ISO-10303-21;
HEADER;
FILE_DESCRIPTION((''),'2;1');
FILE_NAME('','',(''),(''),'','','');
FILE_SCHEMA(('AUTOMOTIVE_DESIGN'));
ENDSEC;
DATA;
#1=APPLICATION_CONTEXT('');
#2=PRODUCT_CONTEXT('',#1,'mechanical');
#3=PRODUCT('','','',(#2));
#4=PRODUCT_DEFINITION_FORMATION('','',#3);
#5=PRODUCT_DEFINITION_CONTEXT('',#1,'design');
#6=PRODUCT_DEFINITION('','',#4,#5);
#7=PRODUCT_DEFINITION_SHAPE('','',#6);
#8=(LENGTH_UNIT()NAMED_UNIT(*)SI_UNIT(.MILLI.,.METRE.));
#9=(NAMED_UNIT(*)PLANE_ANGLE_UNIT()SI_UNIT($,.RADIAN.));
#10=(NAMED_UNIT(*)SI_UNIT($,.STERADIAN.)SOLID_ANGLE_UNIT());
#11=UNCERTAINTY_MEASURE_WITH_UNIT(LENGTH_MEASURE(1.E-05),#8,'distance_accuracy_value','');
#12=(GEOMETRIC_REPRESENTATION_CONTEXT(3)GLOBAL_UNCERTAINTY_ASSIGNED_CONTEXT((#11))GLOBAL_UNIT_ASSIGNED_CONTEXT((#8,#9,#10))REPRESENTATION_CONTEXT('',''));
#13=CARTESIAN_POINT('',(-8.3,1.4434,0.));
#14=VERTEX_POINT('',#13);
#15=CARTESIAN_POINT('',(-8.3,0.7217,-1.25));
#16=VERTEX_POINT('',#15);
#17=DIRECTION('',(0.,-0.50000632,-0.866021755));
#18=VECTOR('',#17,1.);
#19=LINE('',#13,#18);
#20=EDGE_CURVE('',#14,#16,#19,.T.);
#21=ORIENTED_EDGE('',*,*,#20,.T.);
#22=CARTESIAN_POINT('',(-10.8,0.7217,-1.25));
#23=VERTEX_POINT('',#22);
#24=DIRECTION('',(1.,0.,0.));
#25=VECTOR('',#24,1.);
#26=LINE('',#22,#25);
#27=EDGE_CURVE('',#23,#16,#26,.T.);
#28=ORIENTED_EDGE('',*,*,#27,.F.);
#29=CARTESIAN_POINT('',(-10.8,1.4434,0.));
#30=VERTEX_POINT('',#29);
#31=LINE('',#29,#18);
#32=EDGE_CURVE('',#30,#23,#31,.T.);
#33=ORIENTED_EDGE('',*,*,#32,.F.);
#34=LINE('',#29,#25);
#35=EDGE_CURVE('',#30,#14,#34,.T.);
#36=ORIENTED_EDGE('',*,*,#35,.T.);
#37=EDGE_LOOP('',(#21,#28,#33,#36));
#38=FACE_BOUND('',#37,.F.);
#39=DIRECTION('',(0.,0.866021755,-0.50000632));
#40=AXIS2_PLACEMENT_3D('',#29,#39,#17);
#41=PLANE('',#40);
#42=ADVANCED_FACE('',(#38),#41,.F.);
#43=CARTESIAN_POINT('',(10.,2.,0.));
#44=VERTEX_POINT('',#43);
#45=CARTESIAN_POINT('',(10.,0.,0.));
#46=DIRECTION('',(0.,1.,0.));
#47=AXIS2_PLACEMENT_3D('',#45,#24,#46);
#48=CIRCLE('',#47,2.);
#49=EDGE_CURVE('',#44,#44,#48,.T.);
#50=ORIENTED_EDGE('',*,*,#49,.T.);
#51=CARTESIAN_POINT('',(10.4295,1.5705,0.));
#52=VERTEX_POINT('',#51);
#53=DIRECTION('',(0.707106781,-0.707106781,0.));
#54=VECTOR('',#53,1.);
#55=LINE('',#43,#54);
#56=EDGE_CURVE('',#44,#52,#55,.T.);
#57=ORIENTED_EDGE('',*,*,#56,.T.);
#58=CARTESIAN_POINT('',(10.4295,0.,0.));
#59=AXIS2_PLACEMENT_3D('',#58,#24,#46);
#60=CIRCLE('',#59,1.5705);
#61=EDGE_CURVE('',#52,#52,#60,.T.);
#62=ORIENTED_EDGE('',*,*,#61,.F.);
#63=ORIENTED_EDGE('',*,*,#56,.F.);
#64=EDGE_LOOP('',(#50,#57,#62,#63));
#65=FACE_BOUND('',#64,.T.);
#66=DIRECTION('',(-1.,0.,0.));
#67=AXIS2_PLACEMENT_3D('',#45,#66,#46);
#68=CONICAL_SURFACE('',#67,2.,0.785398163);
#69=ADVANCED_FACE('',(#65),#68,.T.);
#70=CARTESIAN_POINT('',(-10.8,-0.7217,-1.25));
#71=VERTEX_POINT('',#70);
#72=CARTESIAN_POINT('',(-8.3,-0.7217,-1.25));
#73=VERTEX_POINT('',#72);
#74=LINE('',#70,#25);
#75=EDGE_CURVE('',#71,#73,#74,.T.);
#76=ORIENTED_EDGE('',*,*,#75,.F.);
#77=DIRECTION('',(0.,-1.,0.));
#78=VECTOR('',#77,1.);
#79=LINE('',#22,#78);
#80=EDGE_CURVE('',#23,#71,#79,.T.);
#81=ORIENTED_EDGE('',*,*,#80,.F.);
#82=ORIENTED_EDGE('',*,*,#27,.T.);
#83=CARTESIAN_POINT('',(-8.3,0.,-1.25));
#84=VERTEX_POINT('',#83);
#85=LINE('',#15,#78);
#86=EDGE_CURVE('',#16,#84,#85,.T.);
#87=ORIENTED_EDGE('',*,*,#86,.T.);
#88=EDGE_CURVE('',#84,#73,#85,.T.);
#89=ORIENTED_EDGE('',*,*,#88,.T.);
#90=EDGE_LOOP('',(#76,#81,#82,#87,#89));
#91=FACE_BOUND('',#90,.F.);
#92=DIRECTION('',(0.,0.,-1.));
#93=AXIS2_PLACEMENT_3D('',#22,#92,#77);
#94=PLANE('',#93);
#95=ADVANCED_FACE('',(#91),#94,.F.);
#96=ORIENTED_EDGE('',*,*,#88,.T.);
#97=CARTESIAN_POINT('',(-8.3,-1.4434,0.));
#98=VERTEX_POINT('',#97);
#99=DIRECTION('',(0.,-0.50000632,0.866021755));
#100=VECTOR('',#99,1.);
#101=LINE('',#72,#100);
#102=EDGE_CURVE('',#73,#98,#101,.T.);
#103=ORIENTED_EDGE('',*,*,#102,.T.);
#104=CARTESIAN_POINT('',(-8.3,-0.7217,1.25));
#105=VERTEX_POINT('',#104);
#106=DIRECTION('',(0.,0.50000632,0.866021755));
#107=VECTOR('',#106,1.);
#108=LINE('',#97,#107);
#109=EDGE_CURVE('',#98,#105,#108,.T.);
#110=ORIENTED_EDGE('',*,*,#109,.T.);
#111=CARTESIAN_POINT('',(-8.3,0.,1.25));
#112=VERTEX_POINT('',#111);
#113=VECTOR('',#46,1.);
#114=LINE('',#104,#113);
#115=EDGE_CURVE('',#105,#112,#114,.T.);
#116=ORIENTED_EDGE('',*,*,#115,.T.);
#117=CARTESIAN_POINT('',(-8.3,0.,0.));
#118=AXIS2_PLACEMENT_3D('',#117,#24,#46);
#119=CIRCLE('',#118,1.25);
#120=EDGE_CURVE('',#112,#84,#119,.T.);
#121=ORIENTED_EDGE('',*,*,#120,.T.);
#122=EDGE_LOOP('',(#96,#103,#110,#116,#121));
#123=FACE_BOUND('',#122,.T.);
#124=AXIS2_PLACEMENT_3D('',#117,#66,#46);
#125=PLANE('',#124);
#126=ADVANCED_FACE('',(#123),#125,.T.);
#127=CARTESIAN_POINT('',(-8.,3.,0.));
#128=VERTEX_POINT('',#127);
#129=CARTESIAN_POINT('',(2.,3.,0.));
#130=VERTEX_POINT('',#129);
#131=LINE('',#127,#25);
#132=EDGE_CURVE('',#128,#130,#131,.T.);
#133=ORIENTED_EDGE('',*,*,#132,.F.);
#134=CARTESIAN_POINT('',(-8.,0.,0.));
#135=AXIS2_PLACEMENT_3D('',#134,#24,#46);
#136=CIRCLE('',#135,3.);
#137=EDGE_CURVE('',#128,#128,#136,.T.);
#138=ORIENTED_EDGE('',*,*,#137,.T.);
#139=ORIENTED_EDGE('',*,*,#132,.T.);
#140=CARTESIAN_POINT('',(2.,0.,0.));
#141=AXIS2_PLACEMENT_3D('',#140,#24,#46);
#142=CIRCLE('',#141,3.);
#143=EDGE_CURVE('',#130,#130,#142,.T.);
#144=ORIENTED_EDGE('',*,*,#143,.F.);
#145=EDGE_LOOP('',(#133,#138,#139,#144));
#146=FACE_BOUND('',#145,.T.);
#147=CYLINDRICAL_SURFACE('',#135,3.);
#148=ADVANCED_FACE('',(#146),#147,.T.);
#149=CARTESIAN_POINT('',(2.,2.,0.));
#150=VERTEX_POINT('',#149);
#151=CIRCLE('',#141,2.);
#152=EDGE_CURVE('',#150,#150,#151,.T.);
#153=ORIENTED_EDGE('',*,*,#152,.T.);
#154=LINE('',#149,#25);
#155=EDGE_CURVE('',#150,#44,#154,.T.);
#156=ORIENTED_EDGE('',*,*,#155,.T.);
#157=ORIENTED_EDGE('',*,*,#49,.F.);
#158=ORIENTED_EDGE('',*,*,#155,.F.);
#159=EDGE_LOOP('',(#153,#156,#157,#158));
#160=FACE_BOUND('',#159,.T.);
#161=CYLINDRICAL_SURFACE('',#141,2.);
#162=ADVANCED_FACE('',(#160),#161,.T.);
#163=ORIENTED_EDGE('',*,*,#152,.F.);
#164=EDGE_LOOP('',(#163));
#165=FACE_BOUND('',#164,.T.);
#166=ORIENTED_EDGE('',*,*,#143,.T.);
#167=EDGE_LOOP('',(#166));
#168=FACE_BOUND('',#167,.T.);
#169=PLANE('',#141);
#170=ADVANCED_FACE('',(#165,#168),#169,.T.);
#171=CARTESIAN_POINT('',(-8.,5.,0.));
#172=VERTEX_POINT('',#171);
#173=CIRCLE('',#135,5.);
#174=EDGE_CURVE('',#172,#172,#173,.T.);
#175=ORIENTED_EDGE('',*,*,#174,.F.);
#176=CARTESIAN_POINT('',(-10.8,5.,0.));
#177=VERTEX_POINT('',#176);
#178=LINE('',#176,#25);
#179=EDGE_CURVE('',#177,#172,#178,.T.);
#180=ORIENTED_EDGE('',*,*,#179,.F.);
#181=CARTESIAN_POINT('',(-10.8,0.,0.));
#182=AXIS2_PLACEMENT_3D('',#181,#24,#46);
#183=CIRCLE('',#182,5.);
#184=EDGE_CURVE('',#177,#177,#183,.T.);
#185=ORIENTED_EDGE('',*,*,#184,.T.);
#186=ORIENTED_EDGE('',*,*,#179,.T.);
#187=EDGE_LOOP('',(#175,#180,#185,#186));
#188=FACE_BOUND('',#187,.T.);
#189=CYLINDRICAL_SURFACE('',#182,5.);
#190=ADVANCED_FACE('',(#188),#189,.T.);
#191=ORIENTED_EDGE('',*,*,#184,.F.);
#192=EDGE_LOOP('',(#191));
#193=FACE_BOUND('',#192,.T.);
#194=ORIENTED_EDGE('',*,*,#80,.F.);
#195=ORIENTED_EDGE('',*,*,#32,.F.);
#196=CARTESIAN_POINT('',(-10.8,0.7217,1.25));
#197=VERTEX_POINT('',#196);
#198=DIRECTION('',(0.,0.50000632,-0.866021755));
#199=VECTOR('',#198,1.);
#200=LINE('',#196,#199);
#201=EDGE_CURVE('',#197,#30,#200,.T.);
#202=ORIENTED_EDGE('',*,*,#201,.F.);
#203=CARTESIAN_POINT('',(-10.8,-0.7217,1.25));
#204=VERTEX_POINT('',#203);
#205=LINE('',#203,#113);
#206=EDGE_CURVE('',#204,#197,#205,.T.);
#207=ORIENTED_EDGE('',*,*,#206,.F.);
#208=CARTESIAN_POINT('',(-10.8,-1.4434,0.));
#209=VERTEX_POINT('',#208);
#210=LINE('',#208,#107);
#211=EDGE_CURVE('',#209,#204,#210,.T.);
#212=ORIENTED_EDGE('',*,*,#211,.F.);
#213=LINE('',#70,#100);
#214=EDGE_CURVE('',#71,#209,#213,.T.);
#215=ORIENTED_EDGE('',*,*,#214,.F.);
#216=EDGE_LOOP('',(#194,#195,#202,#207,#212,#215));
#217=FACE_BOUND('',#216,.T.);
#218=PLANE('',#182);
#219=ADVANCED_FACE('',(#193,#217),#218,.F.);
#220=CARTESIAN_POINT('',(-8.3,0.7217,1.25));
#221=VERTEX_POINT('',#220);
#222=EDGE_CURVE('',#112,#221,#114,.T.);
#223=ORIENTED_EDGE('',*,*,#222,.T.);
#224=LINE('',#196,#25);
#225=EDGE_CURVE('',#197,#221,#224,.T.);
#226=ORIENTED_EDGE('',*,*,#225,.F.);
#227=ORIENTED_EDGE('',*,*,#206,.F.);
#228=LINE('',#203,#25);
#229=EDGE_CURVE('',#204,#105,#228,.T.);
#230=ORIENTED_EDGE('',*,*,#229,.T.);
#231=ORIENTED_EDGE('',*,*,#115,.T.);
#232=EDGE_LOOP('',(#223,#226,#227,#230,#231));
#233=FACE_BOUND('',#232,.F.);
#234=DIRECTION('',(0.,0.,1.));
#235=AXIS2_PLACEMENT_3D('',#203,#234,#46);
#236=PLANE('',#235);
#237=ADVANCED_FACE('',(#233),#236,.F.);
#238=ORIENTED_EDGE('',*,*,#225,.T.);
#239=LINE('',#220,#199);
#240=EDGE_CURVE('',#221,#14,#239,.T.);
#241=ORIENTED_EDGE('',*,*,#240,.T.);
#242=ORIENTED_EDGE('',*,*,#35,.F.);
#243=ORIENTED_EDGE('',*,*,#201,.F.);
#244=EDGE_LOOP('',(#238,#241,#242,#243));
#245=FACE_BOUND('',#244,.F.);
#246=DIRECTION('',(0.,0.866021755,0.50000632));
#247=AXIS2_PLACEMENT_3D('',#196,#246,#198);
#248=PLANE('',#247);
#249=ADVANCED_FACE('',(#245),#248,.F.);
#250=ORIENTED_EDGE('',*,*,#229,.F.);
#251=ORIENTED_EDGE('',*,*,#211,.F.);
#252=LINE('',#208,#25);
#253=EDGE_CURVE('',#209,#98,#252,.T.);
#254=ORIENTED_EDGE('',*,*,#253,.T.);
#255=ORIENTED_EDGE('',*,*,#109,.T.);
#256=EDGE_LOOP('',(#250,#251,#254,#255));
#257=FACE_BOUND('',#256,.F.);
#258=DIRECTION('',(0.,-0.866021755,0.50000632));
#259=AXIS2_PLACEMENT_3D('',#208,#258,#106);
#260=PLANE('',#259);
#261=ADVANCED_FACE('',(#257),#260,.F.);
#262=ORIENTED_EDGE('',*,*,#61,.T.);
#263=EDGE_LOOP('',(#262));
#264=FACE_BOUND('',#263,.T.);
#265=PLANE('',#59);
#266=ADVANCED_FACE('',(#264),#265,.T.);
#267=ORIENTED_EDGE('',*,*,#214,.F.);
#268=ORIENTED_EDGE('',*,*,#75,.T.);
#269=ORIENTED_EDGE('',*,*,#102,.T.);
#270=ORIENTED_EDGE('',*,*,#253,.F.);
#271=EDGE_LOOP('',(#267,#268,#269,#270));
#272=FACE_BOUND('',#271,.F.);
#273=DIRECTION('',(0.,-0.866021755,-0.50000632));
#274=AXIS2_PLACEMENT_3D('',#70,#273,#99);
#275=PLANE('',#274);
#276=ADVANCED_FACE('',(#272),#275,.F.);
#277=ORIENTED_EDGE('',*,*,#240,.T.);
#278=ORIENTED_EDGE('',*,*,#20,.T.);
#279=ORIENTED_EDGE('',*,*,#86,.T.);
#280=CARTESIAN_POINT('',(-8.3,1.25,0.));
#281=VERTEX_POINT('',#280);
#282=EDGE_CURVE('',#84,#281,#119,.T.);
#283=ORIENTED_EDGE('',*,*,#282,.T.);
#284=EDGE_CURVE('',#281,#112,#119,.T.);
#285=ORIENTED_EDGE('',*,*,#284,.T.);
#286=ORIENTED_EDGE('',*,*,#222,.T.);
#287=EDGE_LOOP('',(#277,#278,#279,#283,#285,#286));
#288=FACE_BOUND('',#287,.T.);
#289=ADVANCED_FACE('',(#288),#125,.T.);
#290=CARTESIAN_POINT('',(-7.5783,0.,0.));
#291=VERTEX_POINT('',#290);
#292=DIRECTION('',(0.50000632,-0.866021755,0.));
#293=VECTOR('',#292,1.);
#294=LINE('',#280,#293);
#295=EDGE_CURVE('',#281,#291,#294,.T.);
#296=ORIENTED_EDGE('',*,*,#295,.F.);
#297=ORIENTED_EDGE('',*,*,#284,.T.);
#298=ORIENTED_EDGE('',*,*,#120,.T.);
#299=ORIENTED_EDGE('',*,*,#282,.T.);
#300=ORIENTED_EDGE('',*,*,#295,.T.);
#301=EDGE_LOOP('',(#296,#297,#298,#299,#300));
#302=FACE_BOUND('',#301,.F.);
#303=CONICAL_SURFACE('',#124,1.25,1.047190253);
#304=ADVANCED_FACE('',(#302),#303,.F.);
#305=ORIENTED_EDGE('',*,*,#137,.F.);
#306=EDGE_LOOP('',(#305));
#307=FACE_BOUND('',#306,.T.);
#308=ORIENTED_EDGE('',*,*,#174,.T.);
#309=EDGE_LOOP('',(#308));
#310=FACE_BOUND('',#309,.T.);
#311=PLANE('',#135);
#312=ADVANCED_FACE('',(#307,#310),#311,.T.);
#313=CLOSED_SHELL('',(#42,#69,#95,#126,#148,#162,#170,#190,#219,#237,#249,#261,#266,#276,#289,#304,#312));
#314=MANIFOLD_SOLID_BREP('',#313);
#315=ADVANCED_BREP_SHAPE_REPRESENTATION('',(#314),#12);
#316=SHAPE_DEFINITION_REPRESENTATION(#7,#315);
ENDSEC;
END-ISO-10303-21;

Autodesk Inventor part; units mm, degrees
ref_plane "YZ Plane" through (0, 0, 0) normal (1, 0, 0) x (0, 1, 0)
ref_plane "XZ Plane" through (0, 0, 0) normal (0, 1, 0) x (-1, 0, 0)
ref_plane "XY Plane" through (0, 0, 0) normal (0, 0, 1) x (1, 0, 0)
sketch "Sketch_1" plane through (0, 0, 0) normal (0, 0, 1) x (1, 0, 0)
  line L0 (5, 0) -> (-10.8, 0)
  line L1 (-10.8, 0) -> (-10.8, 5)
  line L2 (-10.8, 5) -> (-8, 5)
  line L3 (-8, 5) -> (-8, 3)
  line L4 (-8, 3) -> (2, 3)
  line L5 (2, 3) -> (2, 2)
  line L6 (2, 2) -> (10, 2)
  line L7 (10, 2) -> (10.4295, 1.5705)
  line L8 (10.4295, 1.5705) -> (10.4295, 0)
  line L9 (10.4295, 0) -> (-10.8, 0)
  dimension "d6" = 2.8
  dimension "d7" = 10
  dimension "d8" = 8
revolve "Revolution1" add sketch "Sketch_1" angle 360 about axis through (5, 0, 0) along (1, 0, 0)
thread "Thread1" size "M4x0.7" class "6g" standard "ISO Metric profile" length 8
sketch "Sketch_2" plane through (-10.8, 0, 0) normal (-1, 0, 0) x (0, 1, 0)
  line L0 (-1.4434, 0) -> (-0.7217, -1.25)
  line L1 (-0.7217, -1.25) -> (0.7217, -1.25)
  line L2 (0.7217, -1.25) -> (1.4434, 0)
  line L3 (1.4434, 0) -> (0.7217, 1.25)
  line L4 (0.7217, 1.25) -> (-0.7217, 1.25)
  line L5 (-0.7217, 1.25) -> (-1.4434, 0)
extrude "Extrusion1" cut sketch "Sketch_2" against normal blind 2.5
sketch "Sketch_3" plane through (0, 0, 0) normal (0, 0, 1) x (1, 0, 0)
  line L0 (-7.5783, 0) -> (-8.3, 0)
  line L1 (-8.3, 0) -> (-8.3, 1.25)
  line L2 (-8.3, 1.25) -> (-7.5783, 0)
  line L3 (-7.5783, 0) -> (-8.3, 0)
revolve "Revolution2" cut sketch "Sketch_3" angle 360 about axis through (-7.5783, 0, 0) along (1, 0, 0)
properties part number "DBB4-10-8" material "스테인리스스틸"
